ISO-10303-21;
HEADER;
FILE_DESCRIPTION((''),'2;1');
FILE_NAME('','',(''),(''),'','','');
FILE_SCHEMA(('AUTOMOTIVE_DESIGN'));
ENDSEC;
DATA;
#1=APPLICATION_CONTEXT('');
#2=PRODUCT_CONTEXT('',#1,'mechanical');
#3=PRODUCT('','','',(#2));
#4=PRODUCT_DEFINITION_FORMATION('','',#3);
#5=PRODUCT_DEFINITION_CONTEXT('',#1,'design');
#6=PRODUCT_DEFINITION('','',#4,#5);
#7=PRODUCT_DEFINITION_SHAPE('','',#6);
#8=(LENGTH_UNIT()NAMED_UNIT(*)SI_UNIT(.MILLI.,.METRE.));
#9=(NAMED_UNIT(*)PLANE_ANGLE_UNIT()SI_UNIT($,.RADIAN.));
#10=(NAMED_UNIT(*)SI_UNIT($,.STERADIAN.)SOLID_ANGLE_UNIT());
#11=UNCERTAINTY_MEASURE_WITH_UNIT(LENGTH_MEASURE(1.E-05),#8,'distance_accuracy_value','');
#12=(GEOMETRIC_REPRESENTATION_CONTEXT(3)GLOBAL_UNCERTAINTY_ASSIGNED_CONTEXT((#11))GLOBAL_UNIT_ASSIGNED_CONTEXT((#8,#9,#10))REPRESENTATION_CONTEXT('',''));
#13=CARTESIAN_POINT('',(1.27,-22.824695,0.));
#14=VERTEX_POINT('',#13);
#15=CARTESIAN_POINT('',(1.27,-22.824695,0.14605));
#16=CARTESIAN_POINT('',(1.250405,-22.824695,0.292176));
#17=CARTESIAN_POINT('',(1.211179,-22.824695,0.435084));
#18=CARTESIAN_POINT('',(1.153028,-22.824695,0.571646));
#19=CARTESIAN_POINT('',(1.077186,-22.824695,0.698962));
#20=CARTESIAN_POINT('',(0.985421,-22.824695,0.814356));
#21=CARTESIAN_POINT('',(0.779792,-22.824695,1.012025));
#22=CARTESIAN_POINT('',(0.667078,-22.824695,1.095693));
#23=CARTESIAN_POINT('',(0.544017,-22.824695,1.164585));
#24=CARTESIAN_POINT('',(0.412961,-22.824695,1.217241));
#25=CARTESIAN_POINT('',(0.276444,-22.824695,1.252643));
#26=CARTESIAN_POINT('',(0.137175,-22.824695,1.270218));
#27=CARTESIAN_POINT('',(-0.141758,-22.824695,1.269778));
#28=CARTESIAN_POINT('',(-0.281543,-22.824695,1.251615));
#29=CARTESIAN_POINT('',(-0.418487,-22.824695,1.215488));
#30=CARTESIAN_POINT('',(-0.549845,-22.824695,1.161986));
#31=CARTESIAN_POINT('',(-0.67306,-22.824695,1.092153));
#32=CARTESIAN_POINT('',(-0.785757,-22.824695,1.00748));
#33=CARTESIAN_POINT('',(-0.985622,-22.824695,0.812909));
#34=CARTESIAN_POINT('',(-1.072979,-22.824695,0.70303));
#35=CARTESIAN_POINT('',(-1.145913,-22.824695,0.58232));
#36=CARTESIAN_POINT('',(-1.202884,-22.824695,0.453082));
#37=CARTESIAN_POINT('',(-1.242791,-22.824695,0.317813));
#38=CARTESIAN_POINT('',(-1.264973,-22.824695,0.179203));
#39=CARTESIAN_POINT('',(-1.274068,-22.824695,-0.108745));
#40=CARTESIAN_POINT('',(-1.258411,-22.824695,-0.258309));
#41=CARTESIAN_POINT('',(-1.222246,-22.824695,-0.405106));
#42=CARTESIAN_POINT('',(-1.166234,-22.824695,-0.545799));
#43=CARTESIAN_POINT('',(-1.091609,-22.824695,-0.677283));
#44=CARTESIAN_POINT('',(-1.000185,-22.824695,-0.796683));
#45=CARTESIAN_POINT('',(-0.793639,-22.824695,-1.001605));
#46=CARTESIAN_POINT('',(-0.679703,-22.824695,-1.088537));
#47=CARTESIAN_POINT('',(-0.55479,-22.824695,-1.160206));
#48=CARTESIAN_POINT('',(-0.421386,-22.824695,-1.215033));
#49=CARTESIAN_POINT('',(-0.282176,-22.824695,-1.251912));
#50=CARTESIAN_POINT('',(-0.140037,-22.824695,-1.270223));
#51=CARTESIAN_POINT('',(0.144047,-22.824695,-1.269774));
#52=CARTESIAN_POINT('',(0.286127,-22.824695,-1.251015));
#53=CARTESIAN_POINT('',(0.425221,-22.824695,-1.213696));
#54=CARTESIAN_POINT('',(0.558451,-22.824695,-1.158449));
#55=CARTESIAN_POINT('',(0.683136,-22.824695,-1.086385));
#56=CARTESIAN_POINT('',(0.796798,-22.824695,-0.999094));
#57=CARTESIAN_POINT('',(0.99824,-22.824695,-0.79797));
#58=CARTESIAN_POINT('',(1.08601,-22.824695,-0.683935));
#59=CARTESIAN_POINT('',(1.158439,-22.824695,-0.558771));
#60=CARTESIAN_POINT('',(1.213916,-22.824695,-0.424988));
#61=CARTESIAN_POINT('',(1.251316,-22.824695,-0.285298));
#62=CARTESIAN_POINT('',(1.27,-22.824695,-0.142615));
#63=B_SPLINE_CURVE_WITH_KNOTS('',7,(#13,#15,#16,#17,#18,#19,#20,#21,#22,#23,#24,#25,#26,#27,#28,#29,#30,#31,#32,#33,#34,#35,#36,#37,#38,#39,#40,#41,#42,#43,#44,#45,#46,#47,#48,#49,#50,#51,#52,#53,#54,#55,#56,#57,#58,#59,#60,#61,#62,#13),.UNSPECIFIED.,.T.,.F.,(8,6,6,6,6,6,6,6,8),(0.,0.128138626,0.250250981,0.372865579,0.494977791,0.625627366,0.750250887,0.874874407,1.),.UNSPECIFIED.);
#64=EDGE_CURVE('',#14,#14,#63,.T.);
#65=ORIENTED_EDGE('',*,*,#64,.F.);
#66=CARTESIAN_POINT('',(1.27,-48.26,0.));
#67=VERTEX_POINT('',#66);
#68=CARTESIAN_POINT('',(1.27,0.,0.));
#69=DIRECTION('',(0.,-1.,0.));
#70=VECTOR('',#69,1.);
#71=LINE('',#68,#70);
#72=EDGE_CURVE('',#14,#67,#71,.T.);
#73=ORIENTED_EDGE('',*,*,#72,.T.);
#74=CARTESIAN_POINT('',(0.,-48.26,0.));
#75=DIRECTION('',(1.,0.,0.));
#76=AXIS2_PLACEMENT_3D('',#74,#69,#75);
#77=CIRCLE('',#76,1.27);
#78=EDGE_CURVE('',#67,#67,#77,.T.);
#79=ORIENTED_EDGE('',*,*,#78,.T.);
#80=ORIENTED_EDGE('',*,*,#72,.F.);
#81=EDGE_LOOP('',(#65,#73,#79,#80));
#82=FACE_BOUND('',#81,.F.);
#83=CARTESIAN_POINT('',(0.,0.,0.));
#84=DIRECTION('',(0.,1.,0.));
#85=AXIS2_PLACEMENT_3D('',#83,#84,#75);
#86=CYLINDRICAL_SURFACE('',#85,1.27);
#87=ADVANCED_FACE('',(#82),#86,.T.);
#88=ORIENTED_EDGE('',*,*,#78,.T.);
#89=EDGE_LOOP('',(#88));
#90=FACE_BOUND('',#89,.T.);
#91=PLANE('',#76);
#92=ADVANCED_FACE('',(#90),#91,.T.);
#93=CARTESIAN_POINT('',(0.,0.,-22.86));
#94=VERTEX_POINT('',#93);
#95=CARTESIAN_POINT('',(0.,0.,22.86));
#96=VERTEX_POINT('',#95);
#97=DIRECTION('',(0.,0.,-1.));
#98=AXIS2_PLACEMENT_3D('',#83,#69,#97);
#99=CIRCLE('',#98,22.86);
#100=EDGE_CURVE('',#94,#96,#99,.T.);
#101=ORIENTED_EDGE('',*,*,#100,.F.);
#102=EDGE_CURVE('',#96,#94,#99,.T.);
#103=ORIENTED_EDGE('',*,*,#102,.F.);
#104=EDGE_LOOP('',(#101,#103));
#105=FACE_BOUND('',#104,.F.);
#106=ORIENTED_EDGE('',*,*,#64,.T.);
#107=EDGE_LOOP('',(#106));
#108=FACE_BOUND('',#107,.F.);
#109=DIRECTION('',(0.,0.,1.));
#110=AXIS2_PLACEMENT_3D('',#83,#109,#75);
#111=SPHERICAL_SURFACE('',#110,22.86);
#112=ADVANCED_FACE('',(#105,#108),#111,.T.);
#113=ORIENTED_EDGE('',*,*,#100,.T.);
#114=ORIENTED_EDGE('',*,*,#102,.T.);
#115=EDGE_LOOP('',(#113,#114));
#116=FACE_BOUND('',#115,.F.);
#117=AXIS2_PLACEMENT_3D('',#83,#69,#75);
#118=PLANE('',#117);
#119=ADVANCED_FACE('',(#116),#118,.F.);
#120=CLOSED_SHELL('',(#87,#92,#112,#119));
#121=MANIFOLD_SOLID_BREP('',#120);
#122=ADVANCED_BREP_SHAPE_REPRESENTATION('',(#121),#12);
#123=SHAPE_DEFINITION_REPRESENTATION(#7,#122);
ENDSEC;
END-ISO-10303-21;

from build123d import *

# Parameters (mm, degrees)
F2_R          = 1.27
F3_DEPTH      = 48.26
F3_DEPTH_BACK = 48.26
F4_R          = 26.181924
F5_DEPTH      = 48.261


with BuildPart() as f1:
    # F0 (on Front) → F1 (revolve)
    with BuildSketch(Plane.XZ):
        with BuildLine():
            Line((0, 22.86), (0, -22.86))
            ThreePointArc((0, -22.86), (22.86, 0), (0, 22.86))
        make_face()
    revolve(axis=Axis((0, 0, 0), (0, 0, -1)))

    # F2 (on Front) → F3 (join, two sides)
    with BuildSketch(Plane.XZ) as f3_sk:
        Circle(F2_R)
    extrude(amount=F3_DEPTH)
    extrude(f3_sk.sketch, amount=-F3_DEPTH_BACK)

    # F4 (on Front) → F5 (cut, through all)
    with BuildSketch(Plane.XZ):
        Circle(F4_R)
    extrude(amount=-F5_DEPTH, mode=Mode.SUBTRACT)


solid = f1.part
